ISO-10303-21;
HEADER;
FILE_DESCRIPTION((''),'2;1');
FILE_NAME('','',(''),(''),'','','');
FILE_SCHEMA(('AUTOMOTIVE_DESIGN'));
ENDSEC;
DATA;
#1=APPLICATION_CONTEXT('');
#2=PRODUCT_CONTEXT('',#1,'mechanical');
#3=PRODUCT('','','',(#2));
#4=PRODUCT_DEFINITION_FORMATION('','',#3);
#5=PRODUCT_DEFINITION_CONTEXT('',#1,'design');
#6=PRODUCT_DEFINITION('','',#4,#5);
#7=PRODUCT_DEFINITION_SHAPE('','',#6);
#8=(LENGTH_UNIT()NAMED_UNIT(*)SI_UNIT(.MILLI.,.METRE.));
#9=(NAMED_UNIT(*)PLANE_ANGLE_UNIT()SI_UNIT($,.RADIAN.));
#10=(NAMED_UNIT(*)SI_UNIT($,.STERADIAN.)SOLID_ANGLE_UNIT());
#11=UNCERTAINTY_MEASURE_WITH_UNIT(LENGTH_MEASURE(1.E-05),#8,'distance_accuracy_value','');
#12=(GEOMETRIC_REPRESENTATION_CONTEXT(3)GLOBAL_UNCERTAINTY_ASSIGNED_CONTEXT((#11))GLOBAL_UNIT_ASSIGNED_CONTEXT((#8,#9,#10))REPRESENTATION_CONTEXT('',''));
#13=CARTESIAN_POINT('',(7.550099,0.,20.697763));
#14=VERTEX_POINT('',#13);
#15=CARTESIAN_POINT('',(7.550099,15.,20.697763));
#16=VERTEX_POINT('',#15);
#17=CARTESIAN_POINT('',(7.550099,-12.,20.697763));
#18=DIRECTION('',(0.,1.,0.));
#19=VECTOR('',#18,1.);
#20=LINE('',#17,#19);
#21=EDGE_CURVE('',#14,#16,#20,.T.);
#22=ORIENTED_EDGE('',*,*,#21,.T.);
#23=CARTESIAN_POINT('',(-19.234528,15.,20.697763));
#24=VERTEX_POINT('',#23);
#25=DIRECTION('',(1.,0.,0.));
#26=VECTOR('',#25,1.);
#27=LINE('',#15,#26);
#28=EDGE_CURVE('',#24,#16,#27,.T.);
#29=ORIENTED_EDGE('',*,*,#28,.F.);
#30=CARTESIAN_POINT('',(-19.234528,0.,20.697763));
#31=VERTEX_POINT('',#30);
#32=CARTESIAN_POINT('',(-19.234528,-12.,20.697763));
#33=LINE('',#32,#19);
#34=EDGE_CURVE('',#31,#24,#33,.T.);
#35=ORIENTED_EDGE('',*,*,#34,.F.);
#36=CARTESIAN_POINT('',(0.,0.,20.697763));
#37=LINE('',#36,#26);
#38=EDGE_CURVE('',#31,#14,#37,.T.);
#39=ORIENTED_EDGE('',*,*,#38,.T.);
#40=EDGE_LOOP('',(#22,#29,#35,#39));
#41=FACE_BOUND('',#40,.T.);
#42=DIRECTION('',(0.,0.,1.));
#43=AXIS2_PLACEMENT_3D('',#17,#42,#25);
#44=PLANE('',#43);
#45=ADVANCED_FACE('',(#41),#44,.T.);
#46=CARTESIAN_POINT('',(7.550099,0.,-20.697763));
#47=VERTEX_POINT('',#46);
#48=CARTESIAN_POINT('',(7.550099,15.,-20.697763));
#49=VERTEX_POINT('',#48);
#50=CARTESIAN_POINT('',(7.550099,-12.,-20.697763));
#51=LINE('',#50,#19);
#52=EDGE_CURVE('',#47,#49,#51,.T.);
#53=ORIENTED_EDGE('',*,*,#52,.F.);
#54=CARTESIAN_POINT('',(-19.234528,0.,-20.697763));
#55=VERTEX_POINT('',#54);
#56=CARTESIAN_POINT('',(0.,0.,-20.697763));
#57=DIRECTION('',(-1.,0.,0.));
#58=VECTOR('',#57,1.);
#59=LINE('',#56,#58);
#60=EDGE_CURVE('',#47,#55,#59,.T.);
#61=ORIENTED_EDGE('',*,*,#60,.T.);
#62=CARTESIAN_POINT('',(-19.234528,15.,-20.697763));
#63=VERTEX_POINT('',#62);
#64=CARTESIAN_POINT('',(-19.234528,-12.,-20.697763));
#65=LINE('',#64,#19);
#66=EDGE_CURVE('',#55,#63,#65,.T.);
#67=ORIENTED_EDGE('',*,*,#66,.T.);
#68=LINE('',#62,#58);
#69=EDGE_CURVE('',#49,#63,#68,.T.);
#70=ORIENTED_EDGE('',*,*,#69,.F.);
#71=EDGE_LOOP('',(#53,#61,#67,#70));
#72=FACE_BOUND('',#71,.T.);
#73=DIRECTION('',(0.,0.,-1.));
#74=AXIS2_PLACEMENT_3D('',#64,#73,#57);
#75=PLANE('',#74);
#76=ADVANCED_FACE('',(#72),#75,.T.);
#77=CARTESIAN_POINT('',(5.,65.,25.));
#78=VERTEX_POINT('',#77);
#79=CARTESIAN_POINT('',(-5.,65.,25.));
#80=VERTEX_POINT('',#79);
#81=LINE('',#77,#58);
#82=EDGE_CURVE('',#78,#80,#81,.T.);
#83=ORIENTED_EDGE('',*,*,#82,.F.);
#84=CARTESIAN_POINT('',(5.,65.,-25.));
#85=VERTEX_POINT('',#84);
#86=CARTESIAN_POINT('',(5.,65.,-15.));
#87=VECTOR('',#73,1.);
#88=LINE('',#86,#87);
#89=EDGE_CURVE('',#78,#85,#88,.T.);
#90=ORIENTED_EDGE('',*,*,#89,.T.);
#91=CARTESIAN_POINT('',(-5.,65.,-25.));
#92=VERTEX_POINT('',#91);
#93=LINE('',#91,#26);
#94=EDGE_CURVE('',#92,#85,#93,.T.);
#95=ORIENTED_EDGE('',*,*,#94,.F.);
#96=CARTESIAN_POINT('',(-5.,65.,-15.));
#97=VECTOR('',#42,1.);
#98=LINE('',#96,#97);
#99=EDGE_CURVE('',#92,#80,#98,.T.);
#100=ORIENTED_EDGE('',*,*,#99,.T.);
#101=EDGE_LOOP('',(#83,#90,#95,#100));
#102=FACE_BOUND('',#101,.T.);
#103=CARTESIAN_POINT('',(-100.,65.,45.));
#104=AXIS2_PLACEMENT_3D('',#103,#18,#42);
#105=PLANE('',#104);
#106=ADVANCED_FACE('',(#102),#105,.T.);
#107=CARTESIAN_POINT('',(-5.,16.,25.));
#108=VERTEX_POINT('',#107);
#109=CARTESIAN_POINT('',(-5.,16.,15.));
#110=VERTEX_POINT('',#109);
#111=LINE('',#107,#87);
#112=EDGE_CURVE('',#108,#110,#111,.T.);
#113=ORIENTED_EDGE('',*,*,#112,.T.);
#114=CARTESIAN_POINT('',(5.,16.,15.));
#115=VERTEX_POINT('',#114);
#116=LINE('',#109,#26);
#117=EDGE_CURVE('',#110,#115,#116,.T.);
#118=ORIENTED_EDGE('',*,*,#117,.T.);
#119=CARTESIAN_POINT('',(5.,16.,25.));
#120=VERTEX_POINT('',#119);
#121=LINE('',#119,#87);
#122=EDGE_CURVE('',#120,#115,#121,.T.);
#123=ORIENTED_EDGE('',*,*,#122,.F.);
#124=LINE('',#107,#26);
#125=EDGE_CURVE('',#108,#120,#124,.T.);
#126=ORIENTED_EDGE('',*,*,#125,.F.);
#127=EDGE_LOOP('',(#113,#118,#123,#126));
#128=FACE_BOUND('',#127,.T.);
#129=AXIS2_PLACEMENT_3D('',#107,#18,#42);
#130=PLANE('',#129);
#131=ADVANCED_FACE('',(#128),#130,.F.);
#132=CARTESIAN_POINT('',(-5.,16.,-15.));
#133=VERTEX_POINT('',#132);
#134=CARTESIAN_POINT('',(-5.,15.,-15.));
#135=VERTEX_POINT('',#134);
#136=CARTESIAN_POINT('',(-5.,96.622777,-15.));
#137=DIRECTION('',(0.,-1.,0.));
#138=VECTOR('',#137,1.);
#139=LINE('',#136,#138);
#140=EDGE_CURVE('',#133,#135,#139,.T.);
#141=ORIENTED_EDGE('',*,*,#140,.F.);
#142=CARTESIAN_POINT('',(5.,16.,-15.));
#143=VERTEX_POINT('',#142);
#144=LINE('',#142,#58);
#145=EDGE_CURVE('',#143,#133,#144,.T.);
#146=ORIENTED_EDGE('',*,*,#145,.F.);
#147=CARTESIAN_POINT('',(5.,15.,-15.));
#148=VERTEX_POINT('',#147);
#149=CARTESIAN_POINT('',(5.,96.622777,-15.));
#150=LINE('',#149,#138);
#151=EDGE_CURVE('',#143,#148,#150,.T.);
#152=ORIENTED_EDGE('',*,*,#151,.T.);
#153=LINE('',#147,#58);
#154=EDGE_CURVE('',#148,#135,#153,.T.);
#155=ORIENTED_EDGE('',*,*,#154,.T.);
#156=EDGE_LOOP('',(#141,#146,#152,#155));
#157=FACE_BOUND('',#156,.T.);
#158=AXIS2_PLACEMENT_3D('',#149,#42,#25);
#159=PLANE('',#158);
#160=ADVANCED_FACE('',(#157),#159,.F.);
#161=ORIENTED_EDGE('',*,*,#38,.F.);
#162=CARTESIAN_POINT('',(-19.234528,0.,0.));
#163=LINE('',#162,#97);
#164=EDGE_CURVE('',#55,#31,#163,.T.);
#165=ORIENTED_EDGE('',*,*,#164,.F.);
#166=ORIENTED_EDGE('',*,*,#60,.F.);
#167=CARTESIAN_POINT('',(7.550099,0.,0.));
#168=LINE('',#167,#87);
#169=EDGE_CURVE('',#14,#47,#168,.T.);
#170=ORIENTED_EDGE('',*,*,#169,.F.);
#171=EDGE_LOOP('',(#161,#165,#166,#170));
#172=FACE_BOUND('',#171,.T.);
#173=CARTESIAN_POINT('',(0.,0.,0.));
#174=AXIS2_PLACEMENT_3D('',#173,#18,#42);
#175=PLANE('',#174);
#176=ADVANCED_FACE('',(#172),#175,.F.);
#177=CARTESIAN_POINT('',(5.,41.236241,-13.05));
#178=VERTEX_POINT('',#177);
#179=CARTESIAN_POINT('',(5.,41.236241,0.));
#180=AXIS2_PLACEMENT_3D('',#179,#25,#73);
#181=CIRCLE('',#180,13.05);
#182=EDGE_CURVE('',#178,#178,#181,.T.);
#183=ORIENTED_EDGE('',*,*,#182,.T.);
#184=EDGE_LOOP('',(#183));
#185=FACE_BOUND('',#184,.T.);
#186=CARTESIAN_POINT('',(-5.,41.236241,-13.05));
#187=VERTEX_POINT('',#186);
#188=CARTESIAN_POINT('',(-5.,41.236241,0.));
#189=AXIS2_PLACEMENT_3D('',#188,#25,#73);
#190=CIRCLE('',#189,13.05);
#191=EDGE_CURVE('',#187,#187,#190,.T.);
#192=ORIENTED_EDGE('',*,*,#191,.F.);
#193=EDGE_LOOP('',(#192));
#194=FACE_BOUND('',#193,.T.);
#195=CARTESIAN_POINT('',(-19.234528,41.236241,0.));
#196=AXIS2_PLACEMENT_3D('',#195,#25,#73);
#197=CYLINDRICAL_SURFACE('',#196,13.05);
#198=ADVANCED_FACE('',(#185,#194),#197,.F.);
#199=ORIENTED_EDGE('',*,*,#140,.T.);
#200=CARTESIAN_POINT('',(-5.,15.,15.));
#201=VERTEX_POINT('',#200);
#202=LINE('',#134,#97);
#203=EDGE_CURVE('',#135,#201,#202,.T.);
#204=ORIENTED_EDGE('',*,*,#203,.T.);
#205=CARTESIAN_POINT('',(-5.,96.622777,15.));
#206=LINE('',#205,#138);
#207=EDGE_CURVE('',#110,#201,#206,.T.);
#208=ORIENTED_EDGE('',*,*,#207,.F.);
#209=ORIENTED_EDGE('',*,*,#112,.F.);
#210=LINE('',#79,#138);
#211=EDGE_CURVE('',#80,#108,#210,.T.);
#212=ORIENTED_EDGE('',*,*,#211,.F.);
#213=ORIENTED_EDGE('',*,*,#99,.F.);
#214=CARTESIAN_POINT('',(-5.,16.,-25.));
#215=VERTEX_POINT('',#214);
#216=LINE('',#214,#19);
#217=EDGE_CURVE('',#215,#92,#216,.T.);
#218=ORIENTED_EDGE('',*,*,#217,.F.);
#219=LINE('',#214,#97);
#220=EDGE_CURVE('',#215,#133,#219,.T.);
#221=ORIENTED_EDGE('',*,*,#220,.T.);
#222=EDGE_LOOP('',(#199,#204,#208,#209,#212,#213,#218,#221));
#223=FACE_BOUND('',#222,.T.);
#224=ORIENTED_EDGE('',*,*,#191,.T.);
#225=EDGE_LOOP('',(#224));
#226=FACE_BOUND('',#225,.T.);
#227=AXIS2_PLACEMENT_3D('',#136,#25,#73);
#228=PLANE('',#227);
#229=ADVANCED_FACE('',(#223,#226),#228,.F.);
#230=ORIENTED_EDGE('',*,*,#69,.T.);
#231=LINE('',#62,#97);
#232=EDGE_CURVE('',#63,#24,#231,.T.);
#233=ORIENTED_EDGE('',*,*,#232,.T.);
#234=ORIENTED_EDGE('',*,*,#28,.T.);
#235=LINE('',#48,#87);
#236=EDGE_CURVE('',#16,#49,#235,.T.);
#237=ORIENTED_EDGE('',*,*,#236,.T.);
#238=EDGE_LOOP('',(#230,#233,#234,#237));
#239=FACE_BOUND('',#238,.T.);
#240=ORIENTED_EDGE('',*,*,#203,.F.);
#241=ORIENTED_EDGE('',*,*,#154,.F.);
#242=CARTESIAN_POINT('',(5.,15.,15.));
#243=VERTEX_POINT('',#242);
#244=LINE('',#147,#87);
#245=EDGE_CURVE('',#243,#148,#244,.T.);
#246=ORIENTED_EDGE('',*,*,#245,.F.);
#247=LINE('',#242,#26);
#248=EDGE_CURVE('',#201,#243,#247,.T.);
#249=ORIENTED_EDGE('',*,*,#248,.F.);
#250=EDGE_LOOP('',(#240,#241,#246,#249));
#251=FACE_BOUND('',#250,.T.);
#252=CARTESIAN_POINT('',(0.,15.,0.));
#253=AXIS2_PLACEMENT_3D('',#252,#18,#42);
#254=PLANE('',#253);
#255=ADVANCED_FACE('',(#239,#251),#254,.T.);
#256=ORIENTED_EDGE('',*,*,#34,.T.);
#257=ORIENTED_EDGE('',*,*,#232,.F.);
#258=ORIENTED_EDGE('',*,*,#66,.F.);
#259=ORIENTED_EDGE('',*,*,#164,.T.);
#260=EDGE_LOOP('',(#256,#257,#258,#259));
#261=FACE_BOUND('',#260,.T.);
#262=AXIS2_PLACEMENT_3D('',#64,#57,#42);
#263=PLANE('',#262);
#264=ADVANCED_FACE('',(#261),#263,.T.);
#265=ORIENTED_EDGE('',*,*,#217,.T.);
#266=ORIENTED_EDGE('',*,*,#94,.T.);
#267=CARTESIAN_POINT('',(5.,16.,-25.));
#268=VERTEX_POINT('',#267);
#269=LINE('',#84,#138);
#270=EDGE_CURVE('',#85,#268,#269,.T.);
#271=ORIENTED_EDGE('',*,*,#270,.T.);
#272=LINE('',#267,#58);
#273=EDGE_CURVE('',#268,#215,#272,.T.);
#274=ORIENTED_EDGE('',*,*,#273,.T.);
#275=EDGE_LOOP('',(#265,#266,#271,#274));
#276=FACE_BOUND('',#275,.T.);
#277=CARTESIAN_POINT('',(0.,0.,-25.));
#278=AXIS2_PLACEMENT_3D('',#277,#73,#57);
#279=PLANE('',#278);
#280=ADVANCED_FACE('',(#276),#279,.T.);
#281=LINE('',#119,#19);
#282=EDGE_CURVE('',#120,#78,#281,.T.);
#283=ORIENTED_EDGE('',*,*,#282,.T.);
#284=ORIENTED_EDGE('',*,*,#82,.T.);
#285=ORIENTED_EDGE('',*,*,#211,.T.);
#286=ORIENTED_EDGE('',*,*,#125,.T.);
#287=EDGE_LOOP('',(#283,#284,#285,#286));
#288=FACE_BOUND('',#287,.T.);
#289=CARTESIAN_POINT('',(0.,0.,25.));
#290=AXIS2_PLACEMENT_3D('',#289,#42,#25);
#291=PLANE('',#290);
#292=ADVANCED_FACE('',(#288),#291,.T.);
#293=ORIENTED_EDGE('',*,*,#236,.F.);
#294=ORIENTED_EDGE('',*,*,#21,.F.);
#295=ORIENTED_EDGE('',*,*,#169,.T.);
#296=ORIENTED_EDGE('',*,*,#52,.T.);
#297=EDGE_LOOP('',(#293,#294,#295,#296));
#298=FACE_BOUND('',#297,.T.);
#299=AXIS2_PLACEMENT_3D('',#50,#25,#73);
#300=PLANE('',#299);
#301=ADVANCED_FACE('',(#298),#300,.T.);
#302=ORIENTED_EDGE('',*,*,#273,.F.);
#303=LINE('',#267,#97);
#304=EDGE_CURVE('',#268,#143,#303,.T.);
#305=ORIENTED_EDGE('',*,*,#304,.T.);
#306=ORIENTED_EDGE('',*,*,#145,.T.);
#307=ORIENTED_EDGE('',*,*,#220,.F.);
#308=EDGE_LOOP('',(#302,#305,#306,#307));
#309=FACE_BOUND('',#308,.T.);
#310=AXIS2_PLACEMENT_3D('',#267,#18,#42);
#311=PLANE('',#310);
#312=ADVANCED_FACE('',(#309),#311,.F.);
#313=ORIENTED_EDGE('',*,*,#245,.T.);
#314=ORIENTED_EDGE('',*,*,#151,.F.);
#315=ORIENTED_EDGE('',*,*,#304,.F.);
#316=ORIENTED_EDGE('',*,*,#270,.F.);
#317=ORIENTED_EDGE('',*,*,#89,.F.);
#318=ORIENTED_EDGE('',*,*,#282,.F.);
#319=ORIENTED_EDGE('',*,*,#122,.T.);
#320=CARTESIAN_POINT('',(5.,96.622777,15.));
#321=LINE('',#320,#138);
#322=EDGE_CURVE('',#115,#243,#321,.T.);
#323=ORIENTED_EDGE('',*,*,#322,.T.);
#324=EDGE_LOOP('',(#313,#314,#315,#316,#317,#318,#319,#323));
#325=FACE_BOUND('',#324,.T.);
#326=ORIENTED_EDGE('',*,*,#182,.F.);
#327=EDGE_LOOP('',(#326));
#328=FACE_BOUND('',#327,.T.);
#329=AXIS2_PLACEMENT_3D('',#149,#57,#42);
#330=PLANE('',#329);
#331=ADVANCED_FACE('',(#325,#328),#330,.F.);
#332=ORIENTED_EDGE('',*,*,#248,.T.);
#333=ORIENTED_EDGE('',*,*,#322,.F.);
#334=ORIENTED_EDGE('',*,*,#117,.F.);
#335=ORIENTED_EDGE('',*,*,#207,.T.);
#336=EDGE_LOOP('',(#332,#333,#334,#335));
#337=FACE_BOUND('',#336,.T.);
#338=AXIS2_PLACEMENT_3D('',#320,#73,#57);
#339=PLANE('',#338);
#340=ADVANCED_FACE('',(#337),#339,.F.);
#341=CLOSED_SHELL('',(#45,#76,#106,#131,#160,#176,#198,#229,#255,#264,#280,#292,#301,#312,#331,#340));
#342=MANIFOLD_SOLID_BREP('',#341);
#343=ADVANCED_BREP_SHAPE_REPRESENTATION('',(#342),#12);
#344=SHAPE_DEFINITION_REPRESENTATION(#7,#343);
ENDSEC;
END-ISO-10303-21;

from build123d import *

# Parameters (mm, degrees)
SKETCH1_W           = 280
SKETCH1_H           = 210
BOSS_EXTRUDE1_DEPTH = 15
SKETCH2_R           = 5
BOSS_EXTRUDE2_DEPTH = 50
SKETCH3_W           = 10
SKETCH3_H           = 30
BOSS_EXTRUDE3_DEPTH = 50
SKETCH5_W           = 360.4909063
SKETCH5_H           = 249.182613404
SKETCH5_W_2         = 248.173776912
SKETCH5_H_2         = 125.095724948
CUT_EXTRUDE5_DEPTH  = 15
CUT_EXTRUDE6_START  = -65
SKETCH7_R           = 5
CUT_EXTRUDE6_DEPTH  = 65
SKETCH8_R           = 10
CUT_EXTRUDE7_DEPTH  = 12
SKETCH9_W           = 29.13
SKETCH9_H           = 16.72
CUT_EXTRUDE8_DEPTH  = 15
SKETCH10_W          = 26.78462743
SKETCH10_H          = 41.395526334
CUT_EXTRUDE9_DEPTH  = 27
SKETCH11_W          = 10
SKETCH11_H          = 49
BOSS_EXTRUDE4_DEPTH = 10
SKETCH12_W          = 10
SKETCH12_H          = 49
BOSS_EXTRUDE5_DEPTH = 10
SKETCH4_R           = 13.05
CUT_EXTRUDE10_DEPTH = 74.738133634


with BuildPart() as part:
    # Sketch1 → Boss-Extrude1 (new body)
    with BuildSketch(Plane(origin=(0, 0, 0), x_dir=(1, 0, 0), z_dir=(0, 1, 0))):
        Rectangle(SKETCH1_W, SKETCH1_H)
    extrude(amount=BOSS_EXTRUDE1_DEPTH)

    # Sketch2 → Boss-Extrude2 (add)
    with BuildSketch(Plane(origin=(0, 15, 0), x_dir=(1, 0, 0), z_dir=(0, 1, 0))):
        with Locations(Location((-100, 0, 0), (0, 0, 270))):
            Circle(SKETCH2_R)
        with Locations(Location((-100, 45, 0), (0, 0, 270))):
            Circle(SKETCH2_R)
        with Locations(Location((-100, -45, 0), (0, 0, 270))):
            Circle(SKETCH2_R)
    extrude(amount=BOSS_EXTRUDE2_DEPTH)

    # Sketch3 → Boss-Extrude3 (add)
    with BuildSketch(Plane(origin=(0, 15, 0), x_dir=(1, 0, 0), z_dir=(0, 1, 0))):
        Rectangle(SKETCH3_W, SKETCH3_H)
    extrude(amount=BOSS_EXTRUDE3_DEPTH)

    # Sketch5 → Cut-Extrude5 (cut)
    with BuildSketch(Plane(origin=(0, 0, 0), x_dir=(1, 0, 0), z_dir=(0, 1, 0))):
        with Locations((1.345115322, -3.19464889)):
            Rectangle(SKETCH5_W, SKETCH5_H)
        Rectangle(SKETCH5_W_2, SKETCH5_H_2, mode=Mode.SUBTRACT)
    extrude(amount=CUT_EXTRUDE5_DEPTH, mode=Mode.SUBTRACT)

    # Sketch7 → Cut-Extrude6 (cut)
    with BuildSketch(Plane(origin=(0, 65, 0), x_dir=(1, 0, 0), z_dir=(0, 1, 0)).offset(CUT_EXTRUDE6_START)):
        with Locations(Location((-100, 45, 0), (0, 0, 270))):
            Circle(SKETCH7_R)
        with Locations(Location((-100, 0, 0), (0, 0, 270))):
            Circle(SKETCH7_R)
        with Locations(Location((-100, -45, 0), (0, 0, 270))):
            Circle(SKETCH7_R)
    extrude(amount=CUT_EXTRUDE6_DEPTH, mode=Mode.SUBTRACT)

    # Sketch8 → Cut-Extrude7 (cut)
    with BuildSketch(Plane.XZ):
        with Locations(Location((-100, 45, 0), (0, 0, 270))):
            Circle(SKETCH8_R)
        with Locations(Location((-100, 0, 0), (0, 0, 270))):
            Circle(SKETCH8_R)
        with Locations(Location((-100, -45, 0), (0, 0, 270))):
            Circle(SKETCH8_R)
    extrude(amount=-CUT_EXTRUDE7_DEPTH, mode=Mode.SUBTRACT)

    # Sketch9 → Cut-Extrude8 (cut)
    with BuildSketch(Plane(origin=(0, 15, 0), x_dir=(1, 0, 0), z_dir=(0, 1, 0))):
        with Locations((-48.397782089, 51.271912045)):
            Rectangle(SKETCH9_W, SKETCH9_H)
    extrude(amount=-CUT_EXTRUDE8_DEPTH, mode=Mode.SUBTRACT)

    # Sketch10 → Cut-Extrude9 (cut)
    with BuildSketch(Plane(origin=(0, 15, 0), x_dir=(1, 0, 0), z_dir=(0, 1, 0))):
        Polygon((10.617962241, 62.547862474), (-124.086888456, 62.547862474), (-124.086888456, -62.547862474), (10.617962241, -62.547862474), (124.086888456, -62.547862474), (124.086888456, 62.547862474), align=None)
        with Locations((-5.842214377, 0)):
            Rectangle(SKETCH10_W, SKETCH10_H, mode=Mode.SUBTRACT)
    extrude(amount=-CUT_EXTRUDE9_DEPTH, mode=Mode.SUBTRACT)

    # Sketch11 → Boss-Extrude4 (add)
    with BuildSketch(Plane(origin=(0, 0, -15), x_dir=(-1, 0, 0), z_dir=(0, 0, -1))):
        with Locations((0, 40.5)):
            Rectangle(SKETCH11_W, SKETCH11_H)
    extrude(amount=BOSS_EXTRUDE4_DEPTH)

    # Sketch12 → Boss-Extrude5 (add)
    with BuildSketch(Plane.XY.offset(15)):
        with Locations((0, 40.5)):
            Rectangle(SKETCH12_W, SKETCH12_H)
    extrude(amount=BOSS_EXTRUDE5_DEPTH)

    # Sketch4 → Cut-Extrude10 (cut, through all)
    with BuildSketch(Plane(origin=(5, 0, 0), x_dir=(0, 0, -1), z_dir=(1, 0, 0))):
        with Locations((0, 41.236240869)):
            Circle(SKETCH4_R)
    extrude(amount=-CUT_EXTRUDE10_DEPTH, mode=Mode.SUBTRACT)


solid = part.part
